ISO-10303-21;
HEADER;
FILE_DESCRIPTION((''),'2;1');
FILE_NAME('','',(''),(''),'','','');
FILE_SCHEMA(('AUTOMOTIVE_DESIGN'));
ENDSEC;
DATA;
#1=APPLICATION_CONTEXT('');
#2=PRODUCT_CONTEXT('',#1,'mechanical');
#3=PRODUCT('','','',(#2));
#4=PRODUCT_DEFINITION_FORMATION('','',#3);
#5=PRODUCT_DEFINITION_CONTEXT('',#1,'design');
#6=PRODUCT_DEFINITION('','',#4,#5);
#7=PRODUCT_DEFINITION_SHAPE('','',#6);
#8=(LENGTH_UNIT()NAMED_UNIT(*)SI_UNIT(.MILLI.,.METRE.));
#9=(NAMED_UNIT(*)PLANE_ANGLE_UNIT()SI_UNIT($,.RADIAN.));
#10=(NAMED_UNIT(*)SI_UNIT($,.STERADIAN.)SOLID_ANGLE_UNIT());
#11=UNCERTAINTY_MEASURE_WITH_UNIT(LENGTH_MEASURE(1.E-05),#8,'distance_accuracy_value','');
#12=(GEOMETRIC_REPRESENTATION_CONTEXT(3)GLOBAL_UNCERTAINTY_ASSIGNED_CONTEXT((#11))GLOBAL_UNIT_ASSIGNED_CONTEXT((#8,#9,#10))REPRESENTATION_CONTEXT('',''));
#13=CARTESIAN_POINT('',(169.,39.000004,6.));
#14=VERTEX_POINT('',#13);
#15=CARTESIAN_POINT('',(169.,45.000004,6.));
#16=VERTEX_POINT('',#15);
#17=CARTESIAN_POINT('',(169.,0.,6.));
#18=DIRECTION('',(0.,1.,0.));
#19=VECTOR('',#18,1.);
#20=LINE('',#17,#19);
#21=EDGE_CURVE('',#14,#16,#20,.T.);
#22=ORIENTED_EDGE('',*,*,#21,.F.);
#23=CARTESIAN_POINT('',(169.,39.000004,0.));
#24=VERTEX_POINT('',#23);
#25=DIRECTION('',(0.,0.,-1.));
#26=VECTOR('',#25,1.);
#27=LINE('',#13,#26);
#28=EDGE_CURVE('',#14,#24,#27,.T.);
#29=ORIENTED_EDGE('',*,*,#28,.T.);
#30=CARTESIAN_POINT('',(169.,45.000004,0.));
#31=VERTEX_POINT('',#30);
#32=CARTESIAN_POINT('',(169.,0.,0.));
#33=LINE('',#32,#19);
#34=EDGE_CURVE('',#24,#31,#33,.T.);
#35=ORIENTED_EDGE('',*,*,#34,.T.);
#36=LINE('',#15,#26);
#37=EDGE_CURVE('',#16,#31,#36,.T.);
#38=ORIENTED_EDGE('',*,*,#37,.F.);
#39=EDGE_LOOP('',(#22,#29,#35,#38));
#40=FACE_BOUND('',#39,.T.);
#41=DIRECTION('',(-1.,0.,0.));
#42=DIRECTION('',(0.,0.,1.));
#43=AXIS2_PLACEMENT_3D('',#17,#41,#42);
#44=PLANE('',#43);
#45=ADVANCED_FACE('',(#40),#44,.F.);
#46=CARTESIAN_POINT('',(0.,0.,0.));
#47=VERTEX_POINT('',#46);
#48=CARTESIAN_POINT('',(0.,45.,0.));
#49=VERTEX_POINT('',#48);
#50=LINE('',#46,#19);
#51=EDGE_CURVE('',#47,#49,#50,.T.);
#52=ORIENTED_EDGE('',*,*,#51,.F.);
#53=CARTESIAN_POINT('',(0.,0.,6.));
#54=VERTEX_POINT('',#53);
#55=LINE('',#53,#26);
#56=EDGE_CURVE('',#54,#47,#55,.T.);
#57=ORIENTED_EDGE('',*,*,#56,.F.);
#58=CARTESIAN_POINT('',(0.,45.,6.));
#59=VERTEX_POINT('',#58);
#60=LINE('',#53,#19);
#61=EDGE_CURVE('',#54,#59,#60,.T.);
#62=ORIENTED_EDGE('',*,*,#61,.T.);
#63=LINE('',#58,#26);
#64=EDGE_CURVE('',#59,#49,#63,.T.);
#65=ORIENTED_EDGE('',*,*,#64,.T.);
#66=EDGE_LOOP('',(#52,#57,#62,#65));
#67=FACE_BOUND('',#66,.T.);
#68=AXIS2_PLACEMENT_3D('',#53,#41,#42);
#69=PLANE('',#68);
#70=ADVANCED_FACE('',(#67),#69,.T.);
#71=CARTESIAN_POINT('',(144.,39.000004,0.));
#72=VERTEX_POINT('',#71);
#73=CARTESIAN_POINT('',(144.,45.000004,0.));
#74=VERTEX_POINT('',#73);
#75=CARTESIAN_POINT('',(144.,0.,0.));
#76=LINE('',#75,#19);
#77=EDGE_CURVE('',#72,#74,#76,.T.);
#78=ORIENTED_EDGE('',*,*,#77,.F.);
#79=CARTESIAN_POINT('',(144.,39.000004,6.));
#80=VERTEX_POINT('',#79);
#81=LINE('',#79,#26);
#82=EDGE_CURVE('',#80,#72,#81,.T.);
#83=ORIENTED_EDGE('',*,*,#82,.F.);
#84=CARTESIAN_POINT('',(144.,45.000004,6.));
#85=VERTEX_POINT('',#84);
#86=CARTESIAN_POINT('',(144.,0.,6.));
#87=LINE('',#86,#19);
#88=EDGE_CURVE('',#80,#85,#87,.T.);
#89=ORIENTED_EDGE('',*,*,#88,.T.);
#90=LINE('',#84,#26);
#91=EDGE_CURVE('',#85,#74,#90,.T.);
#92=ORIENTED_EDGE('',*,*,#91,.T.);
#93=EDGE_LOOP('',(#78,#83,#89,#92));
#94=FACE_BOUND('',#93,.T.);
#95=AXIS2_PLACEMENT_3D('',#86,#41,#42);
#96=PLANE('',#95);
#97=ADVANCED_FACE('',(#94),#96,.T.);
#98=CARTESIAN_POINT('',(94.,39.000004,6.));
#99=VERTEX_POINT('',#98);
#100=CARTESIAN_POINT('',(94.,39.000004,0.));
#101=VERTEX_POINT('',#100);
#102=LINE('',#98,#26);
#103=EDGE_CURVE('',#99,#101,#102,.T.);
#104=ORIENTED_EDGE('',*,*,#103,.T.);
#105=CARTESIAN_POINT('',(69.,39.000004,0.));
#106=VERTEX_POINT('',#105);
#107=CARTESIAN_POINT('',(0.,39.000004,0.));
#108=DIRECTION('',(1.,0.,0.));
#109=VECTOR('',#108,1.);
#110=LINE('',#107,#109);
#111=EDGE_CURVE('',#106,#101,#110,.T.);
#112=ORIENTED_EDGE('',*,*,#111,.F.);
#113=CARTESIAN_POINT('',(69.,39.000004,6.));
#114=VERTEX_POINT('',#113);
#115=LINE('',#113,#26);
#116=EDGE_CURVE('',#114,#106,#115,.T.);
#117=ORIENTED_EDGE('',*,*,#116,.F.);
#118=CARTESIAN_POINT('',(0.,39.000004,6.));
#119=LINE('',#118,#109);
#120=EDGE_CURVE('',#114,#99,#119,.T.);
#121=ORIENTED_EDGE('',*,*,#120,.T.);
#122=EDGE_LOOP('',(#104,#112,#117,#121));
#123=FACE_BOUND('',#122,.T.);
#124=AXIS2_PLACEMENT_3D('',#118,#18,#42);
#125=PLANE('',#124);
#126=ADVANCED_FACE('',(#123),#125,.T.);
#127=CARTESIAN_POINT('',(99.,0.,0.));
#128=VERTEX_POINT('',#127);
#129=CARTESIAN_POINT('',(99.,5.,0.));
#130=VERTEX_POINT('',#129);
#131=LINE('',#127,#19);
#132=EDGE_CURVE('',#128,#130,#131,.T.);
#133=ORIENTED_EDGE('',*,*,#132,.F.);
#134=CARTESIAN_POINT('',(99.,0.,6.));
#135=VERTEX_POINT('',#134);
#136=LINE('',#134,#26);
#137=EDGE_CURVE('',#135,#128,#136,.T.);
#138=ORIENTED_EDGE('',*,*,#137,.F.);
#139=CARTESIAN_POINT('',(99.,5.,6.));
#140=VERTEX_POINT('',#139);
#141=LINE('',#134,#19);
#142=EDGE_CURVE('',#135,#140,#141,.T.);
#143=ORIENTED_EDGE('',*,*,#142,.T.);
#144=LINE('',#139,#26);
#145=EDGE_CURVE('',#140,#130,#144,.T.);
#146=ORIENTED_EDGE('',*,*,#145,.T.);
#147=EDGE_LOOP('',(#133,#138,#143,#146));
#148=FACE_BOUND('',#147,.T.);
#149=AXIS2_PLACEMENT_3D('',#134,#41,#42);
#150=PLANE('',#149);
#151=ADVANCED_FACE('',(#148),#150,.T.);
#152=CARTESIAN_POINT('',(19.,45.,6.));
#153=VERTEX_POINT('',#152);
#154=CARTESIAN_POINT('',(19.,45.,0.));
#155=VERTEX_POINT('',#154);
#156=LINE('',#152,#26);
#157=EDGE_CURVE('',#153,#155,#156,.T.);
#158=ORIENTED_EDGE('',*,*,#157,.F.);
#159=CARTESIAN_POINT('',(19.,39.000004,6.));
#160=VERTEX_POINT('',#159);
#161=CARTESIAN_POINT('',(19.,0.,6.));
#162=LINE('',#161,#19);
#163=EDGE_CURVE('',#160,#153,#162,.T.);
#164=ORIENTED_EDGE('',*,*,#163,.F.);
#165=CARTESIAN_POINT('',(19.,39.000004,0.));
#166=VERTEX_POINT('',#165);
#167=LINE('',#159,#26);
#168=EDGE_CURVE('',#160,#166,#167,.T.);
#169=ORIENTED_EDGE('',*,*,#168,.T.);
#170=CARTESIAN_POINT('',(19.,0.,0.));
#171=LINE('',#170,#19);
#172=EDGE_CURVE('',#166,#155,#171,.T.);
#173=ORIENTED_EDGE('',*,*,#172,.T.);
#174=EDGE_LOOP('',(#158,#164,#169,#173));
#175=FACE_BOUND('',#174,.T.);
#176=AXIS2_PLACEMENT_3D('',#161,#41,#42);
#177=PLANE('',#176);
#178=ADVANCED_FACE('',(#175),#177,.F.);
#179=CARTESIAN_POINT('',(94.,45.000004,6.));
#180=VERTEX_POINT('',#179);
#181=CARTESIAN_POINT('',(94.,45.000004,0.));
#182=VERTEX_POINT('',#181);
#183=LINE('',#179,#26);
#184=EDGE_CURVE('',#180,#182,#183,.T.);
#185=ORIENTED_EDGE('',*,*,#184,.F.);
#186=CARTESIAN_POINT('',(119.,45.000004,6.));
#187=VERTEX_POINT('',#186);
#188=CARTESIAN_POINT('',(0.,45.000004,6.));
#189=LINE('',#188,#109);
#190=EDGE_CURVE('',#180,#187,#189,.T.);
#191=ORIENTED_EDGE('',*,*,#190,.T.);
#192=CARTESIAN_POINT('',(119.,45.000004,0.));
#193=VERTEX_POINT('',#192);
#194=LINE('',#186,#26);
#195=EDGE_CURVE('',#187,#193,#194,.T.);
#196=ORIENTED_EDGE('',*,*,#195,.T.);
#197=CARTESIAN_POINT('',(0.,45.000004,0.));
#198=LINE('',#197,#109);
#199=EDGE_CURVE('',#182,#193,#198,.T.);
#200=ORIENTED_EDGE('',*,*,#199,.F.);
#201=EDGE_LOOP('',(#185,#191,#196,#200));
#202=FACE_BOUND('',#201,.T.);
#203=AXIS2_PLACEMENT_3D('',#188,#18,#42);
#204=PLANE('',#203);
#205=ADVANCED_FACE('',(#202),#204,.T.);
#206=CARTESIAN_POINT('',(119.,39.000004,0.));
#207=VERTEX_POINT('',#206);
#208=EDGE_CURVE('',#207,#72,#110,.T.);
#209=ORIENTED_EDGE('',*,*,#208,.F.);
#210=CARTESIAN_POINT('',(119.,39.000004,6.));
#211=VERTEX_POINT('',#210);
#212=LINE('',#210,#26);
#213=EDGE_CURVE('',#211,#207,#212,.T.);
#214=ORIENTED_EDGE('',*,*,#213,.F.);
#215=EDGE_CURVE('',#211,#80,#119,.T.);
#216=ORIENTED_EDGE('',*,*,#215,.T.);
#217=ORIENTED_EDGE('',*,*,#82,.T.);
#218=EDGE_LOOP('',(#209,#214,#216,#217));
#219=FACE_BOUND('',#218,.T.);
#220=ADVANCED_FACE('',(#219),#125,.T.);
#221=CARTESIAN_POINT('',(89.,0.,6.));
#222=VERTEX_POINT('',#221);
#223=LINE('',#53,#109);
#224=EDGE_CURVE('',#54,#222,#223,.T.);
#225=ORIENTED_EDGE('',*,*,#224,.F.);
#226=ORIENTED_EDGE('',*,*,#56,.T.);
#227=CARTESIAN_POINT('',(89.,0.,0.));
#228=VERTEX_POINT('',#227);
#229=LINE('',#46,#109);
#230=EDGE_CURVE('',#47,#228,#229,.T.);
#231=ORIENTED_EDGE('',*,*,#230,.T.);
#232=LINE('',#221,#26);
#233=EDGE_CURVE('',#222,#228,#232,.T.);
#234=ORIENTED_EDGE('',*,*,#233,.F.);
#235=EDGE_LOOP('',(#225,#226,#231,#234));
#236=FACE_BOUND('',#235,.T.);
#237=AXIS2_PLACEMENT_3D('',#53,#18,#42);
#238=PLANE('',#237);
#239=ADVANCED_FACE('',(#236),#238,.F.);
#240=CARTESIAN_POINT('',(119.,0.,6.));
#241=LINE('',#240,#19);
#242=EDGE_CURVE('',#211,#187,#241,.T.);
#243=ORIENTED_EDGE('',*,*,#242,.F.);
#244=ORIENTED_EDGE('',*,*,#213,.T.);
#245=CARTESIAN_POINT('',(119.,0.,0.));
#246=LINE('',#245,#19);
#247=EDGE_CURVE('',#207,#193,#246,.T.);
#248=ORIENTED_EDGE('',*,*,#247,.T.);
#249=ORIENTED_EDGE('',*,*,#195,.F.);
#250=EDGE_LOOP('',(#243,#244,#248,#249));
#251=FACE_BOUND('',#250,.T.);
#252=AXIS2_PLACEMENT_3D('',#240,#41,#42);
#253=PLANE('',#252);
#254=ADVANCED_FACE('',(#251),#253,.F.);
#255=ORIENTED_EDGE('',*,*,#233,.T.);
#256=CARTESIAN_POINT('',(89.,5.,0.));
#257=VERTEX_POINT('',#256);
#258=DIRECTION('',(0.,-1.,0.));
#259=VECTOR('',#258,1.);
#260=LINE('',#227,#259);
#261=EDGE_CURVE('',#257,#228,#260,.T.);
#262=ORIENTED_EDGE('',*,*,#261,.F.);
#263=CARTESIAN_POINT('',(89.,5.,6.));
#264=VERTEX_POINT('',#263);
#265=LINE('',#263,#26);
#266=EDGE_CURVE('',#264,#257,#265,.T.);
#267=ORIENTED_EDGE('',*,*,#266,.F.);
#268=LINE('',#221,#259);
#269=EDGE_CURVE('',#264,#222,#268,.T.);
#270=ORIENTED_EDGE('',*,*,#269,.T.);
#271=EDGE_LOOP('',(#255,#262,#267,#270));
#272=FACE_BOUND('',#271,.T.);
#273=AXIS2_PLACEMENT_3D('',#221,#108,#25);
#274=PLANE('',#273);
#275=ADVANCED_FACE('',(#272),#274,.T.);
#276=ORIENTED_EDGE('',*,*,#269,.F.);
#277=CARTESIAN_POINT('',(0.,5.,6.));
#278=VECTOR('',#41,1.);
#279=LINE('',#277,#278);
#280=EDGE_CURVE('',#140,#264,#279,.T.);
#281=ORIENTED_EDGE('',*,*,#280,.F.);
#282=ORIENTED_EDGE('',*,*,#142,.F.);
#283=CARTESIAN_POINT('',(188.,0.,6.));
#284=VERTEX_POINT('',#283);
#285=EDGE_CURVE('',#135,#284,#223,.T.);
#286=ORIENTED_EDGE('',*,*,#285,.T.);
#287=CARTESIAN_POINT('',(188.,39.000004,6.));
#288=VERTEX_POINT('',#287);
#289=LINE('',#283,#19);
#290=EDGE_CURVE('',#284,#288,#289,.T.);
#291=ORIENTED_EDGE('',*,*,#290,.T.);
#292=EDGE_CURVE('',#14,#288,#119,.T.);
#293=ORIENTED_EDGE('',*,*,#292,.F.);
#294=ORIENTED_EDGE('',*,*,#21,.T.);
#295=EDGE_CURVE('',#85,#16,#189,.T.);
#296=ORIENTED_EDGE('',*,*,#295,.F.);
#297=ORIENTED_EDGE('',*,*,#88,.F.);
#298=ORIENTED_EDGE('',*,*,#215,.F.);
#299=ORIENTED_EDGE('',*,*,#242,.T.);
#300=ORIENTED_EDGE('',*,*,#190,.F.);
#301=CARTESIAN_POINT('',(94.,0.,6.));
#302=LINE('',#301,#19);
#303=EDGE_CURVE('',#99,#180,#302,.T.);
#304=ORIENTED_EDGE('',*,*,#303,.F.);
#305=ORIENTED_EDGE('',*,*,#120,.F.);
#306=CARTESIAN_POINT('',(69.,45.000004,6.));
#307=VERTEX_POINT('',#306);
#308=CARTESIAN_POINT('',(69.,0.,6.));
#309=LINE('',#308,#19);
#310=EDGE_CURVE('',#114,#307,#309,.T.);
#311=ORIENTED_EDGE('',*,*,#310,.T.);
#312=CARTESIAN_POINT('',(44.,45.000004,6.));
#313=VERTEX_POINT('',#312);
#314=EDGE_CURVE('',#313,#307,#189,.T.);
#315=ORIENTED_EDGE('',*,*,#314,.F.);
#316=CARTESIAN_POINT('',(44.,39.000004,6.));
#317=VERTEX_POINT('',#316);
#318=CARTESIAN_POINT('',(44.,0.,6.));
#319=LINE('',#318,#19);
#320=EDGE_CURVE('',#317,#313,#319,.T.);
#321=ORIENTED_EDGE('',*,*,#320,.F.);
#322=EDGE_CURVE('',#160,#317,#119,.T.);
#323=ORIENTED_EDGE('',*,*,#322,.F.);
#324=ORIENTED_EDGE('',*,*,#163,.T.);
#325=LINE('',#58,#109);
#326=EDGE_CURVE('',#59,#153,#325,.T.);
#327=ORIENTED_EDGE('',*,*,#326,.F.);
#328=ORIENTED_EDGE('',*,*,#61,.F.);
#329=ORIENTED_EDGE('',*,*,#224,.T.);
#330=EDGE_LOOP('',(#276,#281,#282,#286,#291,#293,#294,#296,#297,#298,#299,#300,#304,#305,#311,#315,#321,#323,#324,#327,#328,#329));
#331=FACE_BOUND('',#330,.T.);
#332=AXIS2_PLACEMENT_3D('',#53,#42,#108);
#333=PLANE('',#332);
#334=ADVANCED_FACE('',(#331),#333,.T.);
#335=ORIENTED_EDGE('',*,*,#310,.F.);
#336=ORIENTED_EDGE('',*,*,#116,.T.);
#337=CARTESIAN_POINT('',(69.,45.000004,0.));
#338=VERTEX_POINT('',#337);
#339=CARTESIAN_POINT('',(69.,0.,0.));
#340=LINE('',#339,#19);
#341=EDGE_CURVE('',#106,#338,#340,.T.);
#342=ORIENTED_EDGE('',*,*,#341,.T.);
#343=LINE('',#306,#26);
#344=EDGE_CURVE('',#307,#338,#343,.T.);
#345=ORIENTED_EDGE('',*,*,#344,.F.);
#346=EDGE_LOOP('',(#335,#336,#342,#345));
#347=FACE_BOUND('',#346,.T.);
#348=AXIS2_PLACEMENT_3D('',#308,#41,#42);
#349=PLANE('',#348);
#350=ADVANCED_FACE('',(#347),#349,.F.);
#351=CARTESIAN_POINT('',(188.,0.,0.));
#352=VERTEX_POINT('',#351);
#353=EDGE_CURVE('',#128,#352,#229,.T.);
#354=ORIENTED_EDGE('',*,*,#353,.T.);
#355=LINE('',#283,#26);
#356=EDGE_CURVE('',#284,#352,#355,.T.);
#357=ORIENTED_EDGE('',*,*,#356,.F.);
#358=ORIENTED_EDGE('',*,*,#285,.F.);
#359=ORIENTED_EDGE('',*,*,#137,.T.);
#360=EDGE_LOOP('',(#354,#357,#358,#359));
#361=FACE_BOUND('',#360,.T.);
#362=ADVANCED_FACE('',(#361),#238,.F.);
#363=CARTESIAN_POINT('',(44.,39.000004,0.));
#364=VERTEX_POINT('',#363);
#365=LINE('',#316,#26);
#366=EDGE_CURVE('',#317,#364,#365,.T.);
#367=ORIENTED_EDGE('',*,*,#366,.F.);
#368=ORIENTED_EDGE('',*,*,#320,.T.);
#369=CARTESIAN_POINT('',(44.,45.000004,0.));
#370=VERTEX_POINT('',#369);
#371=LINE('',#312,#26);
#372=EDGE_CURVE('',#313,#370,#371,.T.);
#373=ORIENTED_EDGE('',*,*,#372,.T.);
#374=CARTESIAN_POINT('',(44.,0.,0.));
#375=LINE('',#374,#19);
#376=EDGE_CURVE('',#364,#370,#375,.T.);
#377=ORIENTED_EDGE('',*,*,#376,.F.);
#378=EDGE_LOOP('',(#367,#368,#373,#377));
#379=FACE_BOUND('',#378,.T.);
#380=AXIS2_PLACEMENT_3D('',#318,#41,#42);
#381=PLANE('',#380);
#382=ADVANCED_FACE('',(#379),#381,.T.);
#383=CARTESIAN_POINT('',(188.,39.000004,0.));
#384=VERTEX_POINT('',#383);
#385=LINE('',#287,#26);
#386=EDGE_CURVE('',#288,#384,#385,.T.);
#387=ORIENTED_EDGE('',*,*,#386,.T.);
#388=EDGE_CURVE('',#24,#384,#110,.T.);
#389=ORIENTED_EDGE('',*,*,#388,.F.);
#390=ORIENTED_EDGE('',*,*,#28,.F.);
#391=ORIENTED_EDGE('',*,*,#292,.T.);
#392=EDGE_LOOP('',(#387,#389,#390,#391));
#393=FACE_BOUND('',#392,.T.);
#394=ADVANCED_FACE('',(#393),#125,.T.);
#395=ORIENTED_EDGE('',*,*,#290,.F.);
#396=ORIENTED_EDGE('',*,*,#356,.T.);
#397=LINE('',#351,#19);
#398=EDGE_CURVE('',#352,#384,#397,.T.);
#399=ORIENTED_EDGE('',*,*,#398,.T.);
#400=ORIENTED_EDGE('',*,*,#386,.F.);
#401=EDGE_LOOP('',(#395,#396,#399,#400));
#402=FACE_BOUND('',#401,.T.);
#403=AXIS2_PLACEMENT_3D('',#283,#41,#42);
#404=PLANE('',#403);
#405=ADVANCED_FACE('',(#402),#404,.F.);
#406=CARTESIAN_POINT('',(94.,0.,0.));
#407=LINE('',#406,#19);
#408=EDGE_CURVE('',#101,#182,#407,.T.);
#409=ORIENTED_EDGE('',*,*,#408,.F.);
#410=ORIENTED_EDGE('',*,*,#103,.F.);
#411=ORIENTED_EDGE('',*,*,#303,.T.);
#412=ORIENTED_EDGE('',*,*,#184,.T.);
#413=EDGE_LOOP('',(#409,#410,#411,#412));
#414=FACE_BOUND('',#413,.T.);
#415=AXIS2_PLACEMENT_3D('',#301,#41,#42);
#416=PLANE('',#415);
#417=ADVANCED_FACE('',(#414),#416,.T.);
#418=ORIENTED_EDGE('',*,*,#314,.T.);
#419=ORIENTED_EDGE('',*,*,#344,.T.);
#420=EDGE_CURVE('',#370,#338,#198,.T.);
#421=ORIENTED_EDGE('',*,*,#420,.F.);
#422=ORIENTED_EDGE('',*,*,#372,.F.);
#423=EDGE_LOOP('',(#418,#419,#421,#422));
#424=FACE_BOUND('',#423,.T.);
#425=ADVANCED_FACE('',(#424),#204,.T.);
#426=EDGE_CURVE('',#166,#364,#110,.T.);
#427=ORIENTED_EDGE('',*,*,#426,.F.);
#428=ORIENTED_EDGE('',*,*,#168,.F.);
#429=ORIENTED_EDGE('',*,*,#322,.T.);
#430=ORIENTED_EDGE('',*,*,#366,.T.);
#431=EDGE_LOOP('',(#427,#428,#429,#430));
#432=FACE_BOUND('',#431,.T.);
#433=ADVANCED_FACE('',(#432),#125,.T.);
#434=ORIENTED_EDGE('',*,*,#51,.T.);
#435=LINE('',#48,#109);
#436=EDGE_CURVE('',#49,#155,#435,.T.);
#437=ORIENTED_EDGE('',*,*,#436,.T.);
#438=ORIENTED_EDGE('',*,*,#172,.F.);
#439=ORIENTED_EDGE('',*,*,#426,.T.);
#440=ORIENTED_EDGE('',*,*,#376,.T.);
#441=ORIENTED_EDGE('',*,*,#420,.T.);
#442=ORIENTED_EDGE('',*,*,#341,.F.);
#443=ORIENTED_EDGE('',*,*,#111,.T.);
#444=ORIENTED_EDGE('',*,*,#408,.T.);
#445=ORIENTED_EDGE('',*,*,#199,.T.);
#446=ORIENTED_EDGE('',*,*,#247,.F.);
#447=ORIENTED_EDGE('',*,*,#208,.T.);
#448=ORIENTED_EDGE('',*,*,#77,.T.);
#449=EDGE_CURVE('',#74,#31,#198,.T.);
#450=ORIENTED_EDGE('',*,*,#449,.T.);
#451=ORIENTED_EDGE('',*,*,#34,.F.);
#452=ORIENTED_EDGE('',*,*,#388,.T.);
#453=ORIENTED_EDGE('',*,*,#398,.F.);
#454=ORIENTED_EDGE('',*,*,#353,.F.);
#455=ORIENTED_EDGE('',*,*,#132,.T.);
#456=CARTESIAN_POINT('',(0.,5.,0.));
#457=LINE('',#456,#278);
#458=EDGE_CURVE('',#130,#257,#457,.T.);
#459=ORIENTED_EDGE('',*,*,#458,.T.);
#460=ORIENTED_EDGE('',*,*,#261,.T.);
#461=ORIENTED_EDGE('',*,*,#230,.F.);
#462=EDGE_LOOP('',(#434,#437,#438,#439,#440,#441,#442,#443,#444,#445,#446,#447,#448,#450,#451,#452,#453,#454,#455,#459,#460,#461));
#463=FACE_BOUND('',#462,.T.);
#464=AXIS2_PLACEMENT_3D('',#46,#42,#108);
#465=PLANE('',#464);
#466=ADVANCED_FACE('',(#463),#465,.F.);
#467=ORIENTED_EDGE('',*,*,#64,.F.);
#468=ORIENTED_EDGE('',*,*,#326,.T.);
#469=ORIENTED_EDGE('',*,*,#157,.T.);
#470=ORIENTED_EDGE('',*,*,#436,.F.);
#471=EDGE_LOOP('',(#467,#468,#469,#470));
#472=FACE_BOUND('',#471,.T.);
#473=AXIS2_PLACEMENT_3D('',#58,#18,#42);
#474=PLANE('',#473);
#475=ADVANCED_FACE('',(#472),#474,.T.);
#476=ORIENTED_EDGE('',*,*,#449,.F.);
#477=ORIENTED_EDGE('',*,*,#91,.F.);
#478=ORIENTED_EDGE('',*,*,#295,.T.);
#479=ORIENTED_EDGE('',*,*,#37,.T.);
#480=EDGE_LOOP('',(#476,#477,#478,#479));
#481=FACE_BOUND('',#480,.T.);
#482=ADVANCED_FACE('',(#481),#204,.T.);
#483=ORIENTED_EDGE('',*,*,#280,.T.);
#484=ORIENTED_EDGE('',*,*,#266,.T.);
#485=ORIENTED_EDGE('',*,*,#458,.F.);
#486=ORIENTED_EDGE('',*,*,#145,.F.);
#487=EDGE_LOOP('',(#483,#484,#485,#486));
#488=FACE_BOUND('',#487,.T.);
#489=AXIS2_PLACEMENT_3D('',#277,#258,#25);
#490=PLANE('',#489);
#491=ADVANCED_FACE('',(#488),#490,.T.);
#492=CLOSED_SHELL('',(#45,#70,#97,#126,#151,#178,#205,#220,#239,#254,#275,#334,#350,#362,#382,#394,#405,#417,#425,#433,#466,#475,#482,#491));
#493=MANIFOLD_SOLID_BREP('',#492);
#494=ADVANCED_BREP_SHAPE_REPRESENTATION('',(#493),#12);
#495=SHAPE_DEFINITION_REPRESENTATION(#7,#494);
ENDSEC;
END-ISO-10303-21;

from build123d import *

# Parameters (mm, degrees)
RESSALTO_EXTRUS_O1_DEPTH = 6


with BuildPart() as part:
    # Esboço1 → Ressalto-extrusão1 (new body)
    with BuildSketch(Plane.XY):
        Polygon((0, 39), (0, 0), (89, 0), (89, 5), (94, 5), (99, 5), (99, 0), (188, 0), (188, 39.0000038), (169, 39.0000038), (169, 45.0000038), (144, 45.0000038), (144, 39.0000038), (119, 39.0000038), (119, 45.0000038), (94, 45.0000038), (94, 39.0000038), (69, 39.0000038), (69, 45.0000038), (44, 45.0000038), (44, 39.0000038), (19, 39.0000038), (19, 45), (0, 45), align=None)
    extrude(amount=RESSALTO_EXTRUS_O1_DEPTH)


solid = part.part
